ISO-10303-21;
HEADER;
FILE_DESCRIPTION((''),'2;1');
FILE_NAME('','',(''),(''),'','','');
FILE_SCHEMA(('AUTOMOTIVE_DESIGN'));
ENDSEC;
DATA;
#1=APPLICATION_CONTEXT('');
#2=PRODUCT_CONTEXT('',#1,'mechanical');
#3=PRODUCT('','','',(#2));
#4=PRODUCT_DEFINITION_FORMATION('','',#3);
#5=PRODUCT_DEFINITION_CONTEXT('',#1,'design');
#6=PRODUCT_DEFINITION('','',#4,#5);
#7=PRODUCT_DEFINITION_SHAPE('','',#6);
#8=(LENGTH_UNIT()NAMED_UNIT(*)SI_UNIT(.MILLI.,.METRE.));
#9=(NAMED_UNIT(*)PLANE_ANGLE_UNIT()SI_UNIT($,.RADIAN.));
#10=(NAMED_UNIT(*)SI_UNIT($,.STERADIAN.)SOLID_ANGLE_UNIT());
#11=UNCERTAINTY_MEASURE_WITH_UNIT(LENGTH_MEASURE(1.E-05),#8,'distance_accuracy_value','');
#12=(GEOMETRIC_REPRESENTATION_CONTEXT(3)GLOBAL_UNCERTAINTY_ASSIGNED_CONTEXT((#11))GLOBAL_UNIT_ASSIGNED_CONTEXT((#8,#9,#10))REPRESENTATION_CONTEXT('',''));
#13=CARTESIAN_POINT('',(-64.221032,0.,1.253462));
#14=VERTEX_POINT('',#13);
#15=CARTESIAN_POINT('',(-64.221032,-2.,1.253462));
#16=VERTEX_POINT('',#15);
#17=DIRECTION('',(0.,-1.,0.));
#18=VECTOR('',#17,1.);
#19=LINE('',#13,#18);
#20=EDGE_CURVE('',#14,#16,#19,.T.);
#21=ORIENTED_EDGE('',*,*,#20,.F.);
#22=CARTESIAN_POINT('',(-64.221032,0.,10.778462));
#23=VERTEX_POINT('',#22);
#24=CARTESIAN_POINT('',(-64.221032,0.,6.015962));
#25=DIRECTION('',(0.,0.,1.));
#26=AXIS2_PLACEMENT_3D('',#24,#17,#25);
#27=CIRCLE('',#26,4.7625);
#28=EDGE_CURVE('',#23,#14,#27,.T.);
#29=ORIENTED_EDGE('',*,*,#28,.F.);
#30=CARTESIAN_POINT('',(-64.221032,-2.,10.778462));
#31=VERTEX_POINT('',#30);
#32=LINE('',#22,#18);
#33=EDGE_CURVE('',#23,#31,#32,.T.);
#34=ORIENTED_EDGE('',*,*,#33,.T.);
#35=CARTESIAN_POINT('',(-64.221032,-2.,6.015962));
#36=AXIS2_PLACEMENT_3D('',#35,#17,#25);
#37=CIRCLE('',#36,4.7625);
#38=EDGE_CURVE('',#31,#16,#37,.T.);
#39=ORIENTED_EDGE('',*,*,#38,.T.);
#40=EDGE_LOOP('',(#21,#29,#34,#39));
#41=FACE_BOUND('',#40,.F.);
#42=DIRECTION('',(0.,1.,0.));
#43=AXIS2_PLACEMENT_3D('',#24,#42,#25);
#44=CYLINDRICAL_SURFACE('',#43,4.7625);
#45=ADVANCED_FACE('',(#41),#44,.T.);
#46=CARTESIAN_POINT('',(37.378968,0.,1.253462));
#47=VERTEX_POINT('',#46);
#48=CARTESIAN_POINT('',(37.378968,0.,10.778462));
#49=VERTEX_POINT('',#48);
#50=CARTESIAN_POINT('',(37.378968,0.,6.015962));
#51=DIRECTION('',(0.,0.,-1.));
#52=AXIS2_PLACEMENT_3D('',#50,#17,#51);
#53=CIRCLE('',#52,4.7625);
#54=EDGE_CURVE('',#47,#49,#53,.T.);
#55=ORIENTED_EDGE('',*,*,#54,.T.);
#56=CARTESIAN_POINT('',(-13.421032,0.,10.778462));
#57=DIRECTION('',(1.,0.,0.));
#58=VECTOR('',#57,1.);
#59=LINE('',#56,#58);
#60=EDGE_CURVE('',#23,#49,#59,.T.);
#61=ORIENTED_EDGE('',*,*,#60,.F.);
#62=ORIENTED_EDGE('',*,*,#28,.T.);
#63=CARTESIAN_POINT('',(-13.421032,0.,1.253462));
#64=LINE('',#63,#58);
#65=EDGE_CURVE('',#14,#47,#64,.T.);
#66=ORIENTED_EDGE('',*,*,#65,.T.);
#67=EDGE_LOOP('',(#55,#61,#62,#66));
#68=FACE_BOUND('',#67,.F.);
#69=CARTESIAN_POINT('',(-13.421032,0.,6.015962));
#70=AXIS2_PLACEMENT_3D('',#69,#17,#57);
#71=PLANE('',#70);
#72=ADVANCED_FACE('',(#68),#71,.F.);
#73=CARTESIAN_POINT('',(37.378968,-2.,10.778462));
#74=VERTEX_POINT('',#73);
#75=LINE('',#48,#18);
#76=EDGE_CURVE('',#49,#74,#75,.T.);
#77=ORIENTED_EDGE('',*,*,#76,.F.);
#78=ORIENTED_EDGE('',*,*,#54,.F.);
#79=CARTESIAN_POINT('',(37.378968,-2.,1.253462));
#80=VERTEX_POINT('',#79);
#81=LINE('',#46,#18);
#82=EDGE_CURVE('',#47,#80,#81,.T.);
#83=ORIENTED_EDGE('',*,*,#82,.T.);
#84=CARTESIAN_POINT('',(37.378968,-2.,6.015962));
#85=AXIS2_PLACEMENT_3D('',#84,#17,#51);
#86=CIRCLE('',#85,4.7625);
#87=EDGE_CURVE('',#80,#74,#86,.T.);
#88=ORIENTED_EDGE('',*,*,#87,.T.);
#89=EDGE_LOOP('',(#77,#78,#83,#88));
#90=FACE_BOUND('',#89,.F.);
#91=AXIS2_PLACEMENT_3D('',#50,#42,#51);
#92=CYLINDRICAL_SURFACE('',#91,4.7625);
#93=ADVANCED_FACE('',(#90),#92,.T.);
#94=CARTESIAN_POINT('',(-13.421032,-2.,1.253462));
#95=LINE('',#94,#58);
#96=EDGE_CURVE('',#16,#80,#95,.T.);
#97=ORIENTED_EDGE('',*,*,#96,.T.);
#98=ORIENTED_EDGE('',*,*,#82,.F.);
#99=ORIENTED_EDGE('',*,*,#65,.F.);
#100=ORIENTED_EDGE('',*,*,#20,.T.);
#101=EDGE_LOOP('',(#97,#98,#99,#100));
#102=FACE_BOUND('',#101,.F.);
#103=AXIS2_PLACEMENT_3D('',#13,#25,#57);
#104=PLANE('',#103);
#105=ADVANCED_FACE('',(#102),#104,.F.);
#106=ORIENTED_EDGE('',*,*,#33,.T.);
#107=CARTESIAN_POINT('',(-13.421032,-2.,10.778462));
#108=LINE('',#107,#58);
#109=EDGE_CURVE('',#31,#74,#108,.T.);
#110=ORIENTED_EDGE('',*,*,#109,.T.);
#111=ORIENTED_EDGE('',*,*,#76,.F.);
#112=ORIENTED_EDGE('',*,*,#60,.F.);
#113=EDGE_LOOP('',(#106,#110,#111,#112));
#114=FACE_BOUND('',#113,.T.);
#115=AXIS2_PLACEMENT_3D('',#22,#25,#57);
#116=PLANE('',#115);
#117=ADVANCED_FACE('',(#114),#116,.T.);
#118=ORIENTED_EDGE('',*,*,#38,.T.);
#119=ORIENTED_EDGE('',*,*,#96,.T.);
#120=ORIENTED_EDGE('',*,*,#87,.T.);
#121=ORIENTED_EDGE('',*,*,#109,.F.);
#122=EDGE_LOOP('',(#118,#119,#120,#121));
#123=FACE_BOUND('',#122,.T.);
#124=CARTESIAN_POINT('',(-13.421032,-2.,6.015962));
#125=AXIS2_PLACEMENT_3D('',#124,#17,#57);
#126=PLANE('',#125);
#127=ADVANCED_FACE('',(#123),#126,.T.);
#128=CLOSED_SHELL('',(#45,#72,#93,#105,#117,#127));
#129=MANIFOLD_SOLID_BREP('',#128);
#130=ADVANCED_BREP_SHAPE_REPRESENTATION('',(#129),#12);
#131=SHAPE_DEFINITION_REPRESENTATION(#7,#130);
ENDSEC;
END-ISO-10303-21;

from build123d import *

# Parameters (mm, degrees)
F0_W     = 101.6
F0_H     = 9.525
F1_DEPTH = 2


with BuildPart() as f1:
    # F0 (on Front) → F1 (new body)
    with BuildSketch(Plane.XZ):
        with Locations((-13.421032, 6.015962)):
            Rectangle(F0_W, F0_H)
        with BuildLine():
            Line((-64.221032, 1.253462), (-64.221032, 10.778462))
            ThreePointArc((-64.221032, 10.778462), (-68.983532, 6.015962), (-64.221032, 1.253462))
        make_face()
        with BuildLine():
            ThreePointArc((37.378968, 1.253462), (42.141468, 6.015962), (37.378968, 10.778462))
            Line((37.378968, 10.778462), (37.378968, 1.253462))
        make_face()
    extrude(amount=F1_DEPTH)


solid = f1.part
